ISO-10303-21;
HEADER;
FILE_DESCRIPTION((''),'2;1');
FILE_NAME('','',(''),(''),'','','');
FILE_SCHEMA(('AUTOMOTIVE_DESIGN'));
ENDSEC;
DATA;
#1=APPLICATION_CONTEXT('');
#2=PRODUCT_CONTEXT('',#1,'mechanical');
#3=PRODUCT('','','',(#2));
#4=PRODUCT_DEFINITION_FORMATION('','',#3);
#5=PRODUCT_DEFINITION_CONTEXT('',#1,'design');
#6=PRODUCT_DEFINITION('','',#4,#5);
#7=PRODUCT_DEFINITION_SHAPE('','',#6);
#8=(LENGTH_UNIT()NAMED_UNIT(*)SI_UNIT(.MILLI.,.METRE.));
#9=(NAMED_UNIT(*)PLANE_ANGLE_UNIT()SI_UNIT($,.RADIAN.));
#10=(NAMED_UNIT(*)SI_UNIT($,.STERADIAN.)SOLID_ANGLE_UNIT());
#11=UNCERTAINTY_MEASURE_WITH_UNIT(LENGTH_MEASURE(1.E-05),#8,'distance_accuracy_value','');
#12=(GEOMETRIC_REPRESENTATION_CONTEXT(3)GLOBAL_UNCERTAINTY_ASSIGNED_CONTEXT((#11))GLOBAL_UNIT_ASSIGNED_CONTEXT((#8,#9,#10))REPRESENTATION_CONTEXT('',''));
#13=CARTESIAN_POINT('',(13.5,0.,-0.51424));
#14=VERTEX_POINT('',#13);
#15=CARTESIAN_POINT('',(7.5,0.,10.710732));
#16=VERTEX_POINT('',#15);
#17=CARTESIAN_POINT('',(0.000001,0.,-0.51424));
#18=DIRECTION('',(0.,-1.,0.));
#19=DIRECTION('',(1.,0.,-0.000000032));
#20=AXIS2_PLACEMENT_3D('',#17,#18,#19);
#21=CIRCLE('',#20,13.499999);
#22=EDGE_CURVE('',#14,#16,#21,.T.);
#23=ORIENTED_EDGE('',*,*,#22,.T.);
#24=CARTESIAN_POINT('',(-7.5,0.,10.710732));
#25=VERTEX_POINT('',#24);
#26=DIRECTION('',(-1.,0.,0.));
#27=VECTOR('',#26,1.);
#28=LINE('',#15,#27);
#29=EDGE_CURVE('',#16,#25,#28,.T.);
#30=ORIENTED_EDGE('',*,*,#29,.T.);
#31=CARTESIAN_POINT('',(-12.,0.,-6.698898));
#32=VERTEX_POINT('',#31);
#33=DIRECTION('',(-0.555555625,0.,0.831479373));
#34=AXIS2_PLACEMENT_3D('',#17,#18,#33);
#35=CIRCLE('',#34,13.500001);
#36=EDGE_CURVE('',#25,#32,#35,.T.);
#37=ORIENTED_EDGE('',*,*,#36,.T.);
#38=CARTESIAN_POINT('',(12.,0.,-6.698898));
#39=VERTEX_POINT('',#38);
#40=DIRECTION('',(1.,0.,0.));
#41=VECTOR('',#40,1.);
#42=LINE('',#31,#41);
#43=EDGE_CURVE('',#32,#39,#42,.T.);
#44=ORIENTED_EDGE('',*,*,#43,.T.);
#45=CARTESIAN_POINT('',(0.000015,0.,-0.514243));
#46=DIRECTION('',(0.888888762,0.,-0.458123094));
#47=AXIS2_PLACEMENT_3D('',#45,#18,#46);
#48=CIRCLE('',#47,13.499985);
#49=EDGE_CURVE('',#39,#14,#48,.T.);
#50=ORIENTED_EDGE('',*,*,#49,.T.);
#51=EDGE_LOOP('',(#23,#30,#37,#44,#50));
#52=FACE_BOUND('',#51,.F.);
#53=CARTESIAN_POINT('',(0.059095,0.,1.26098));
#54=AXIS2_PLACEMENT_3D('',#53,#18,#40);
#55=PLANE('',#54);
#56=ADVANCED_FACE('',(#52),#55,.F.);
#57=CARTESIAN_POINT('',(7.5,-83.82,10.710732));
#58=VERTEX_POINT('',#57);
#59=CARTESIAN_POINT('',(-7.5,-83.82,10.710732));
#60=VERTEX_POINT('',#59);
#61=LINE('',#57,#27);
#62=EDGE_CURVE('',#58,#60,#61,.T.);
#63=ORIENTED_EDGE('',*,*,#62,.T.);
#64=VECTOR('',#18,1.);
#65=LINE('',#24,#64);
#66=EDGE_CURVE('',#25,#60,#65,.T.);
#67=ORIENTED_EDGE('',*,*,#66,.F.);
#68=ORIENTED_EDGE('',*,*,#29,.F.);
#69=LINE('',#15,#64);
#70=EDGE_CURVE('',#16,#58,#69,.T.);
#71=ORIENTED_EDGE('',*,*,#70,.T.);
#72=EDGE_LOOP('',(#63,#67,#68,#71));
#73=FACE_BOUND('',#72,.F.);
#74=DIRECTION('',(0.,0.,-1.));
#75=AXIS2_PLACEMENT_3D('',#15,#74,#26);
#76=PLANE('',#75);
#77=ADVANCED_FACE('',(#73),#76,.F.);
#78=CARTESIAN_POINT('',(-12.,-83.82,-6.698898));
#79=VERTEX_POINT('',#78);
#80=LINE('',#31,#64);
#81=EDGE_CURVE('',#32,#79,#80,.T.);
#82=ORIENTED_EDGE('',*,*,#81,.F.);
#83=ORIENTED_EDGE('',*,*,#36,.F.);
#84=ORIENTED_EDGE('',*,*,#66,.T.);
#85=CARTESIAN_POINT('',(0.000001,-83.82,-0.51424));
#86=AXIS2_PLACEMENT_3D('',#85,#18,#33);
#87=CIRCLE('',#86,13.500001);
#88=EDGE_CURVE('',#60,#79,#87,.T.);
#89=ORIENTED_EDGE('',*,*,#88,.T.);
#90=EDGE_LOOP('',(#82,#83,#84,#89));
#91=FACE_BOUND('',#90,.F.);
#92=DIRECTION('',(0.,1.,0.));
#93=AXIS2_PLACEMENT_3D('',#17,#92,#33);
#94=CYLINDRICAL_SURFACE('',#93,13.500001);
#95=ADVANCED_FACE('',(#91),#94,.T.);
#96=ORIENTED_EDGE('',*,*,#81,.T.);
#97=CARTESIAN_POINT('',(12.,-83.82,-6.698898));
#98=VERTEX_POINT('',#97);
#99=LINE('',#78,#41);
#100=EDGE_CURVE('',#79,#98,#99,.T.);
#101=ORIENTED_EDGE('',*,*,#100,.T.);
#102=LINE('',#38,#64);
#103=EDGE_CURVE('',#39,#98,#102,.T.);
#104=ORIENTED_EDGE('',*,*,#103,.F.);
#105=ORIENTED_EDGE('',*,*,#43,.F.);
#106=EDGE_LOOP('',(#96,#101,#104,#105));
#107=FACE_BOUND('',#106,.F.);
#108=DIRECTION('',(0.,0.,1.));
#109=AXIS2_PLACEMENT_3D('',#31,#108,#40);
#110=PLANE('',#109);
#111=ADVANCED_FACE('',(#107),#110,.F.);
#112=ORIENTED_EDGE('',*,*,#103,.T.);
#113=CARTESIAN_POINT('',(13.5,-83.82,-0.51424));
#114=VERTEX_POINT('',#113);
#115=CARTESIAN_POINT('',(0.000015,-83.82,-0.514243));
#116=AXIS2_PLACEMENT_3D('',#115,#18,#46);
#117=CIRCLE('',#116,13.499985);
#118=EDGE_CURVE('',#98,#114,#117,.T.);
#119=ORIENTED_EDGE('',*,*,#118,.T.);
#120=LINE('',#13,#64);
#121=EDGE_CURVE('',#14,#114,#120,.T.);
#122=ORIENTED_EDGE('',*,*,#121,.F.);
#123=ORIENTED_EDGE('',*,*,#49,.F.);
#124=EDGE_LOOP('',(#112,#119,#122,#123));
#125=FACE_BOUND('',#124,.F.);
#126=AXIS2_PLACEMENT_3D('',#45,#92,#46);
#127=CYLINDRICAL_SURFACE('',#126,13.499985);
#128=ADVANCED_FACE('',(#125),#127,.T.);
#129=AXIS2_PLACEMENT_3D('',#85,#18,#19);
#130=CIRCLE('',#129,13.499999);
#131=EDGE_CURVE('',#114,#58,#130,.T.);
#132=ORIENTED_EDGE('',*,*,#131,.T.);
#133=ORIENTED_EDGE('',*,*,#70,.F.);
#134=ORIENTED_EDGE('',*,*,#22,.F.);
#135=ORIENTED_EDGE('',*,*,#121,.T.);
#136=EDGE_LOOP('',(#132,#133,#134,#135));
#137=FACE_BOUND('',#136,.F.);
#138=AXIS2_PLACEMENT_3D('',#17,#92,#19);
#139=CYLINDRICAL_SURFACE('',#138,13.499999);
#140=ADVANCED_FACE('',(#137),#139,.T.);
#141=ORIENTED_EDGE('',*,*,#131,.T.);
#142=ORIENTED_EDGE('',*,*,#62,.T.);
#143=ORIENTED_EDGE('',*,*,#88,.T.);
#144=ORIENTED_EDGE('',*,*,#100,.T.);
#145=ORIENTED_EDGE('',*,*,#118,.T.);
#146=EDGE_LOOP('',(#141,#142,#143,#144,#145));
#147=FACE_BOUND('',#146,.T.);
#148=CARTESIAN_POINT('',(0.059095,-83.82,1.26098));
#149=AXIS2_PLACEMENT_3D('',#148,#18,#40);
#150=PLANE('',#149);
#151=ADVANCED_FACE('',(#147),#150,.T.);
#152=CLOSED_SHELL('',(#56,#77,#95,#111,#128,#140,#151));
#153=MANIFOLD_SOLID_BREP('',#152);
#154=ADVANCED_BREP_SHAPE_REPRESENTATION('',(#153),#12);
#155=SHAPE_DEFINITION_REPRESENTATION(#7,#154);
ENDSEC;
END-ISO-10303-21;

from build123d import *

# Parameters (mm, degrees)
F1_DEPTH = 83.82


with BuildPart() as f1:
    # F0 (on Front) → F1 (new body)
    with BuildSketch(Plane.XZ):
        with BuildLine():
            ThreePointArc((12, -6.698898), (13.119642, -3.696221), (13.5, -0.51424))
            ThreePointArc((13.5, -0.51424), (11.905881, 5.849721), (7.5, 10.710732))
            Line((7.5, 10.710732), (-7.5, 10.710732))
            ThreePointArc((-7.5, 10.710732), (-13.070436, 2.864175), (-12, -6.698898))
            Line((-12, -6.698898), (12, -6.698898))
        make_face()
    extrude(amount=F1_DEPTH)


solid = f1.part
